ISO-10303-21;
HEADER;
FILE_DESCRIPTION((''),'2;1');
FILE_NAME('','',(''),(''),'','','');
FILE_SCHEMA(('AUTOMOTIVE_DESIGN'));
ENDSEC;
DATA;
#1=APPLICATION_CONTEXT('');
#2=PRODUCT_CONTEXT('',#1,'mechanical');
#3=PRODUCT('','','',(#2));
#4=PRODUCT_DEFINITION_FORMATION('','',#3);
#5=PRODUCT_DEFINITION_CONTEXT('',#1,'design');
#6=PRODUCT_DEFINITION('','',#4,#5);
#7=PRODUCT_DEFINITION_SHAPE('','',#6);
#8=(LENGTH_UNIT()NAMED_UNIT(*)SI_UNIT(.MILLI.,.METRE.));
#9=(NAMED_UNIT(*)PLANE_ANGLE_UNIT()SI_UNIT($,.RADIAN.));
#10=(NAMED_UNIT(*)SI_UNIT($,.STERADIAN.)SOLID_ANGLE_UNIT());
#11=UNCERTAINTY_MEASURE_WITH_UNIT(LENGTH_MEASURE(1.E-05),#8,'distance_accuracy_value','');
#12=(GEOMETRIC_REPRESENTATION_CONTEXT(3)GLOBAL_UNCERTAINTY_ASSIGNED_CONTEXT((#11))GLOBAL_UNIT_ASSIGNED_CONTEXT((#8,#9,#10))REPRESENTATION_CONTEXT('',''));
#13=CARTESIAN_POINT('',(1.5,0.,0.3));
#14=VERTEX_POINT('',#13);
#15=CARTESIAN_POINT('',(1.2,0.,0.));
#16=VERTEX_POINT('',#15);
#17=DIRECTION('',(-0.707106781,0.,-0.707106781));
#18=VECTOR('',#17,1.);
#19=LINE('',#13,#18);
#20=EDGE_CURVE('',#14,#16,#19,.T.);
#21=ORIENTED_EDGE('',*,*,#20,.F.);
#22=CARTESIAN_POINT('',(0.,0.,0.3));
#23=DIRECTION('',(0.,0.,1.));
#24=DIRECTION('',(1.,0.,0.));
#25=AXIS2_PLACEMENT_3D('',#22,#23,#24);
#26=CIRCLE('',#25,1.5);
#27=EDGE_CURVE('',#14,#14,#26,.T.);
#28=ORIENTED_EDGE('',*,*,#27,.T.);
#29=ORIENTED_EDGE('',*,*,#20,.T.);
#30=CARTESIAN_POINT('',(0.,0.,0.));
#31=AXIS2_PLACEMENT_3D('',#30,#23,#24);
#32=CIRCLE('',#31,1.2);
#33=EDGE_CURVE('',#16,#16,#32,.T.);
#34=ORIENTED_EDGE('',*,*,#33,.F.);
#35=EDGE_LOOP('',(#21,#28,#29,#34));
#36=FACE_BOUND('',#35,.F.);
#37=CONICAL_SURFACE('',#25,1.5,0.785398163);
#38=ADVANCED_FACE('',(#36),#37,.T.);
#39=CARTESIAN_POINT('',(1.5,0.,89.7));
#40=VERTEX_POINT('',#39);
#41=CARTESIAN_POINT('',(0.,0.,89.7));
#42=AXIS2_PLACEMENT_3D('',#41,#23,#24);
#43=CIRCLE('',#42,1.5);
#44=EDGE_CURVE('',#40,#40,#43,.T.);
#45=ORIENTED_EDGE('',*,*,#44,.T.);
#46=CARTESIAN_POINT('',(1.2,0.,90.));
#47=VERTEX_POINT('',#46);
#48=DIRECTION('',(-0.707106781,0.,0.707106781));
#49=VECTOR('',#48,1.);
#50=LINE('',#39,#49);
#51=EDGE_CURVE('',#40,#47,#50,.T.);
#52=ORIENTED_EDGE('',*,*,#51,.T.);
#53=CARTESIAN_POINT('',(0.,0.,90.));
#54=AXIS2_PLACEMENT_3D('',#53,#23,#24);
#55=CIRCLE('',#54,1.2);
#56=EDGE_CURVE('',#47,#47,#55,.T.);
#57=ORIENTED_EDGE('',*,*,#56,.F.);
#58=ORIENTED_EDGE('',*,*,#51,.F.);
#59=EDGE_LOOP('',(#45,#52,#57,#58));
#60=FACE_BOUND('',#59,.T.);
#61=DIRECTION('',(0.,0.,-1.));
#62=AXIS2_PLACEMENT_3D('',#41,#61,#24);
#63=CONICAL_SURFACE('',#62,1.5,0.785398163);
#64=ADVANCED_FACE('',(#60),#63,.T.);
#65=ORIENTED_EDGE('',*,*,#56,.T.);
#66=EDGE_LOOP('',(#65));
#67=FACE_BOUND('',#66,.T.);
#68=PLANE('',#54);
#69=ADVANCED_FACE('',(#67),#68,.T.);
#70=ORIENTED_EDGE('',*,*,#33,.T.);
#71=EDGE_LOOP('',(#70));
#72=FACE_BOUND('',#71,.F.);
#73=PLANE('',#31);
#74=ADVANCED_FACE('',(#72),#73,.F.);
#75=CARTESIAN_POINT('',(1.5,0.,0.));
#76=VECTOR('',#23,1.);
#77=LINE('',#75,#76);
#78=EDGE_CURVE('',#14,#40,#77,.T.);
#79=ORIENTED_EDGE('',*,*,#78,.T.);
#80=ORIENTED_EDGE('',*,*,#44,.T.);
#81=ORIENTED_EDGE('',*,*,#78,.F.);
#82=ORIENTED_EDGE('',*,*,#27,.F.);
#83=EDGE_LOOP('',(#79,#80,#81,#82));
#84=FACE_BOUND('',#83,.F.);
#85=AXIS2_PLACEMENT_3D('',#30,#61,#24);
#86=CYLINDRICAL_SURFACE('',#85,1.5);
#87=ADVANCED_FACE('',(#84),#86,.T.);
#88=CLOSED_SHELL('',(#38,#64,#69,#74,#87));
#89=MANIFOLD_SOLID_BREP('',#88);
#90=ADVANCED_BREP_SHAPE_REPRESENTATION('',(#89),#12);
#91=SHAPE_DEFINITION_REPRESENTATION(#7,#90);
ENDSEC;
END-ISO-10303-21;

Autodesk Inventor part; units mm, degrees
ref_plane "YZ Plane" through (0, 0, 0) normal (1, 0, 0) x (0, 1, 0)
ref_plane "XZ Plane" through (0, 0, 0) normal (0, 1, 0) x (-1, 0, 0)
ref_plane "XY Plane" through (0, 0, 0) normal (0, 0, 1) x (1, 0, 0)
sketch "Skizze1" plane through (0, 0, 0) normal (0, 0, 1) x (1, 0, 0)
  circle A0 centre (0, 0) radius 1.5
  dimension "d0" = 3
extrude "Extrusion1" add sketch "Skizze1" along normal blind 90
thread "Gewinde1" size "M3x0.5" class "6g" standard "ANSI Metric M Profile" full length
chamfer "Fase1" distance 0.3 angle 45 2 edges at (-1.5, 0, 90) (-1.5, 0, 0)
properties part number "Gewindestange M3x890mm" material "Stahl"
